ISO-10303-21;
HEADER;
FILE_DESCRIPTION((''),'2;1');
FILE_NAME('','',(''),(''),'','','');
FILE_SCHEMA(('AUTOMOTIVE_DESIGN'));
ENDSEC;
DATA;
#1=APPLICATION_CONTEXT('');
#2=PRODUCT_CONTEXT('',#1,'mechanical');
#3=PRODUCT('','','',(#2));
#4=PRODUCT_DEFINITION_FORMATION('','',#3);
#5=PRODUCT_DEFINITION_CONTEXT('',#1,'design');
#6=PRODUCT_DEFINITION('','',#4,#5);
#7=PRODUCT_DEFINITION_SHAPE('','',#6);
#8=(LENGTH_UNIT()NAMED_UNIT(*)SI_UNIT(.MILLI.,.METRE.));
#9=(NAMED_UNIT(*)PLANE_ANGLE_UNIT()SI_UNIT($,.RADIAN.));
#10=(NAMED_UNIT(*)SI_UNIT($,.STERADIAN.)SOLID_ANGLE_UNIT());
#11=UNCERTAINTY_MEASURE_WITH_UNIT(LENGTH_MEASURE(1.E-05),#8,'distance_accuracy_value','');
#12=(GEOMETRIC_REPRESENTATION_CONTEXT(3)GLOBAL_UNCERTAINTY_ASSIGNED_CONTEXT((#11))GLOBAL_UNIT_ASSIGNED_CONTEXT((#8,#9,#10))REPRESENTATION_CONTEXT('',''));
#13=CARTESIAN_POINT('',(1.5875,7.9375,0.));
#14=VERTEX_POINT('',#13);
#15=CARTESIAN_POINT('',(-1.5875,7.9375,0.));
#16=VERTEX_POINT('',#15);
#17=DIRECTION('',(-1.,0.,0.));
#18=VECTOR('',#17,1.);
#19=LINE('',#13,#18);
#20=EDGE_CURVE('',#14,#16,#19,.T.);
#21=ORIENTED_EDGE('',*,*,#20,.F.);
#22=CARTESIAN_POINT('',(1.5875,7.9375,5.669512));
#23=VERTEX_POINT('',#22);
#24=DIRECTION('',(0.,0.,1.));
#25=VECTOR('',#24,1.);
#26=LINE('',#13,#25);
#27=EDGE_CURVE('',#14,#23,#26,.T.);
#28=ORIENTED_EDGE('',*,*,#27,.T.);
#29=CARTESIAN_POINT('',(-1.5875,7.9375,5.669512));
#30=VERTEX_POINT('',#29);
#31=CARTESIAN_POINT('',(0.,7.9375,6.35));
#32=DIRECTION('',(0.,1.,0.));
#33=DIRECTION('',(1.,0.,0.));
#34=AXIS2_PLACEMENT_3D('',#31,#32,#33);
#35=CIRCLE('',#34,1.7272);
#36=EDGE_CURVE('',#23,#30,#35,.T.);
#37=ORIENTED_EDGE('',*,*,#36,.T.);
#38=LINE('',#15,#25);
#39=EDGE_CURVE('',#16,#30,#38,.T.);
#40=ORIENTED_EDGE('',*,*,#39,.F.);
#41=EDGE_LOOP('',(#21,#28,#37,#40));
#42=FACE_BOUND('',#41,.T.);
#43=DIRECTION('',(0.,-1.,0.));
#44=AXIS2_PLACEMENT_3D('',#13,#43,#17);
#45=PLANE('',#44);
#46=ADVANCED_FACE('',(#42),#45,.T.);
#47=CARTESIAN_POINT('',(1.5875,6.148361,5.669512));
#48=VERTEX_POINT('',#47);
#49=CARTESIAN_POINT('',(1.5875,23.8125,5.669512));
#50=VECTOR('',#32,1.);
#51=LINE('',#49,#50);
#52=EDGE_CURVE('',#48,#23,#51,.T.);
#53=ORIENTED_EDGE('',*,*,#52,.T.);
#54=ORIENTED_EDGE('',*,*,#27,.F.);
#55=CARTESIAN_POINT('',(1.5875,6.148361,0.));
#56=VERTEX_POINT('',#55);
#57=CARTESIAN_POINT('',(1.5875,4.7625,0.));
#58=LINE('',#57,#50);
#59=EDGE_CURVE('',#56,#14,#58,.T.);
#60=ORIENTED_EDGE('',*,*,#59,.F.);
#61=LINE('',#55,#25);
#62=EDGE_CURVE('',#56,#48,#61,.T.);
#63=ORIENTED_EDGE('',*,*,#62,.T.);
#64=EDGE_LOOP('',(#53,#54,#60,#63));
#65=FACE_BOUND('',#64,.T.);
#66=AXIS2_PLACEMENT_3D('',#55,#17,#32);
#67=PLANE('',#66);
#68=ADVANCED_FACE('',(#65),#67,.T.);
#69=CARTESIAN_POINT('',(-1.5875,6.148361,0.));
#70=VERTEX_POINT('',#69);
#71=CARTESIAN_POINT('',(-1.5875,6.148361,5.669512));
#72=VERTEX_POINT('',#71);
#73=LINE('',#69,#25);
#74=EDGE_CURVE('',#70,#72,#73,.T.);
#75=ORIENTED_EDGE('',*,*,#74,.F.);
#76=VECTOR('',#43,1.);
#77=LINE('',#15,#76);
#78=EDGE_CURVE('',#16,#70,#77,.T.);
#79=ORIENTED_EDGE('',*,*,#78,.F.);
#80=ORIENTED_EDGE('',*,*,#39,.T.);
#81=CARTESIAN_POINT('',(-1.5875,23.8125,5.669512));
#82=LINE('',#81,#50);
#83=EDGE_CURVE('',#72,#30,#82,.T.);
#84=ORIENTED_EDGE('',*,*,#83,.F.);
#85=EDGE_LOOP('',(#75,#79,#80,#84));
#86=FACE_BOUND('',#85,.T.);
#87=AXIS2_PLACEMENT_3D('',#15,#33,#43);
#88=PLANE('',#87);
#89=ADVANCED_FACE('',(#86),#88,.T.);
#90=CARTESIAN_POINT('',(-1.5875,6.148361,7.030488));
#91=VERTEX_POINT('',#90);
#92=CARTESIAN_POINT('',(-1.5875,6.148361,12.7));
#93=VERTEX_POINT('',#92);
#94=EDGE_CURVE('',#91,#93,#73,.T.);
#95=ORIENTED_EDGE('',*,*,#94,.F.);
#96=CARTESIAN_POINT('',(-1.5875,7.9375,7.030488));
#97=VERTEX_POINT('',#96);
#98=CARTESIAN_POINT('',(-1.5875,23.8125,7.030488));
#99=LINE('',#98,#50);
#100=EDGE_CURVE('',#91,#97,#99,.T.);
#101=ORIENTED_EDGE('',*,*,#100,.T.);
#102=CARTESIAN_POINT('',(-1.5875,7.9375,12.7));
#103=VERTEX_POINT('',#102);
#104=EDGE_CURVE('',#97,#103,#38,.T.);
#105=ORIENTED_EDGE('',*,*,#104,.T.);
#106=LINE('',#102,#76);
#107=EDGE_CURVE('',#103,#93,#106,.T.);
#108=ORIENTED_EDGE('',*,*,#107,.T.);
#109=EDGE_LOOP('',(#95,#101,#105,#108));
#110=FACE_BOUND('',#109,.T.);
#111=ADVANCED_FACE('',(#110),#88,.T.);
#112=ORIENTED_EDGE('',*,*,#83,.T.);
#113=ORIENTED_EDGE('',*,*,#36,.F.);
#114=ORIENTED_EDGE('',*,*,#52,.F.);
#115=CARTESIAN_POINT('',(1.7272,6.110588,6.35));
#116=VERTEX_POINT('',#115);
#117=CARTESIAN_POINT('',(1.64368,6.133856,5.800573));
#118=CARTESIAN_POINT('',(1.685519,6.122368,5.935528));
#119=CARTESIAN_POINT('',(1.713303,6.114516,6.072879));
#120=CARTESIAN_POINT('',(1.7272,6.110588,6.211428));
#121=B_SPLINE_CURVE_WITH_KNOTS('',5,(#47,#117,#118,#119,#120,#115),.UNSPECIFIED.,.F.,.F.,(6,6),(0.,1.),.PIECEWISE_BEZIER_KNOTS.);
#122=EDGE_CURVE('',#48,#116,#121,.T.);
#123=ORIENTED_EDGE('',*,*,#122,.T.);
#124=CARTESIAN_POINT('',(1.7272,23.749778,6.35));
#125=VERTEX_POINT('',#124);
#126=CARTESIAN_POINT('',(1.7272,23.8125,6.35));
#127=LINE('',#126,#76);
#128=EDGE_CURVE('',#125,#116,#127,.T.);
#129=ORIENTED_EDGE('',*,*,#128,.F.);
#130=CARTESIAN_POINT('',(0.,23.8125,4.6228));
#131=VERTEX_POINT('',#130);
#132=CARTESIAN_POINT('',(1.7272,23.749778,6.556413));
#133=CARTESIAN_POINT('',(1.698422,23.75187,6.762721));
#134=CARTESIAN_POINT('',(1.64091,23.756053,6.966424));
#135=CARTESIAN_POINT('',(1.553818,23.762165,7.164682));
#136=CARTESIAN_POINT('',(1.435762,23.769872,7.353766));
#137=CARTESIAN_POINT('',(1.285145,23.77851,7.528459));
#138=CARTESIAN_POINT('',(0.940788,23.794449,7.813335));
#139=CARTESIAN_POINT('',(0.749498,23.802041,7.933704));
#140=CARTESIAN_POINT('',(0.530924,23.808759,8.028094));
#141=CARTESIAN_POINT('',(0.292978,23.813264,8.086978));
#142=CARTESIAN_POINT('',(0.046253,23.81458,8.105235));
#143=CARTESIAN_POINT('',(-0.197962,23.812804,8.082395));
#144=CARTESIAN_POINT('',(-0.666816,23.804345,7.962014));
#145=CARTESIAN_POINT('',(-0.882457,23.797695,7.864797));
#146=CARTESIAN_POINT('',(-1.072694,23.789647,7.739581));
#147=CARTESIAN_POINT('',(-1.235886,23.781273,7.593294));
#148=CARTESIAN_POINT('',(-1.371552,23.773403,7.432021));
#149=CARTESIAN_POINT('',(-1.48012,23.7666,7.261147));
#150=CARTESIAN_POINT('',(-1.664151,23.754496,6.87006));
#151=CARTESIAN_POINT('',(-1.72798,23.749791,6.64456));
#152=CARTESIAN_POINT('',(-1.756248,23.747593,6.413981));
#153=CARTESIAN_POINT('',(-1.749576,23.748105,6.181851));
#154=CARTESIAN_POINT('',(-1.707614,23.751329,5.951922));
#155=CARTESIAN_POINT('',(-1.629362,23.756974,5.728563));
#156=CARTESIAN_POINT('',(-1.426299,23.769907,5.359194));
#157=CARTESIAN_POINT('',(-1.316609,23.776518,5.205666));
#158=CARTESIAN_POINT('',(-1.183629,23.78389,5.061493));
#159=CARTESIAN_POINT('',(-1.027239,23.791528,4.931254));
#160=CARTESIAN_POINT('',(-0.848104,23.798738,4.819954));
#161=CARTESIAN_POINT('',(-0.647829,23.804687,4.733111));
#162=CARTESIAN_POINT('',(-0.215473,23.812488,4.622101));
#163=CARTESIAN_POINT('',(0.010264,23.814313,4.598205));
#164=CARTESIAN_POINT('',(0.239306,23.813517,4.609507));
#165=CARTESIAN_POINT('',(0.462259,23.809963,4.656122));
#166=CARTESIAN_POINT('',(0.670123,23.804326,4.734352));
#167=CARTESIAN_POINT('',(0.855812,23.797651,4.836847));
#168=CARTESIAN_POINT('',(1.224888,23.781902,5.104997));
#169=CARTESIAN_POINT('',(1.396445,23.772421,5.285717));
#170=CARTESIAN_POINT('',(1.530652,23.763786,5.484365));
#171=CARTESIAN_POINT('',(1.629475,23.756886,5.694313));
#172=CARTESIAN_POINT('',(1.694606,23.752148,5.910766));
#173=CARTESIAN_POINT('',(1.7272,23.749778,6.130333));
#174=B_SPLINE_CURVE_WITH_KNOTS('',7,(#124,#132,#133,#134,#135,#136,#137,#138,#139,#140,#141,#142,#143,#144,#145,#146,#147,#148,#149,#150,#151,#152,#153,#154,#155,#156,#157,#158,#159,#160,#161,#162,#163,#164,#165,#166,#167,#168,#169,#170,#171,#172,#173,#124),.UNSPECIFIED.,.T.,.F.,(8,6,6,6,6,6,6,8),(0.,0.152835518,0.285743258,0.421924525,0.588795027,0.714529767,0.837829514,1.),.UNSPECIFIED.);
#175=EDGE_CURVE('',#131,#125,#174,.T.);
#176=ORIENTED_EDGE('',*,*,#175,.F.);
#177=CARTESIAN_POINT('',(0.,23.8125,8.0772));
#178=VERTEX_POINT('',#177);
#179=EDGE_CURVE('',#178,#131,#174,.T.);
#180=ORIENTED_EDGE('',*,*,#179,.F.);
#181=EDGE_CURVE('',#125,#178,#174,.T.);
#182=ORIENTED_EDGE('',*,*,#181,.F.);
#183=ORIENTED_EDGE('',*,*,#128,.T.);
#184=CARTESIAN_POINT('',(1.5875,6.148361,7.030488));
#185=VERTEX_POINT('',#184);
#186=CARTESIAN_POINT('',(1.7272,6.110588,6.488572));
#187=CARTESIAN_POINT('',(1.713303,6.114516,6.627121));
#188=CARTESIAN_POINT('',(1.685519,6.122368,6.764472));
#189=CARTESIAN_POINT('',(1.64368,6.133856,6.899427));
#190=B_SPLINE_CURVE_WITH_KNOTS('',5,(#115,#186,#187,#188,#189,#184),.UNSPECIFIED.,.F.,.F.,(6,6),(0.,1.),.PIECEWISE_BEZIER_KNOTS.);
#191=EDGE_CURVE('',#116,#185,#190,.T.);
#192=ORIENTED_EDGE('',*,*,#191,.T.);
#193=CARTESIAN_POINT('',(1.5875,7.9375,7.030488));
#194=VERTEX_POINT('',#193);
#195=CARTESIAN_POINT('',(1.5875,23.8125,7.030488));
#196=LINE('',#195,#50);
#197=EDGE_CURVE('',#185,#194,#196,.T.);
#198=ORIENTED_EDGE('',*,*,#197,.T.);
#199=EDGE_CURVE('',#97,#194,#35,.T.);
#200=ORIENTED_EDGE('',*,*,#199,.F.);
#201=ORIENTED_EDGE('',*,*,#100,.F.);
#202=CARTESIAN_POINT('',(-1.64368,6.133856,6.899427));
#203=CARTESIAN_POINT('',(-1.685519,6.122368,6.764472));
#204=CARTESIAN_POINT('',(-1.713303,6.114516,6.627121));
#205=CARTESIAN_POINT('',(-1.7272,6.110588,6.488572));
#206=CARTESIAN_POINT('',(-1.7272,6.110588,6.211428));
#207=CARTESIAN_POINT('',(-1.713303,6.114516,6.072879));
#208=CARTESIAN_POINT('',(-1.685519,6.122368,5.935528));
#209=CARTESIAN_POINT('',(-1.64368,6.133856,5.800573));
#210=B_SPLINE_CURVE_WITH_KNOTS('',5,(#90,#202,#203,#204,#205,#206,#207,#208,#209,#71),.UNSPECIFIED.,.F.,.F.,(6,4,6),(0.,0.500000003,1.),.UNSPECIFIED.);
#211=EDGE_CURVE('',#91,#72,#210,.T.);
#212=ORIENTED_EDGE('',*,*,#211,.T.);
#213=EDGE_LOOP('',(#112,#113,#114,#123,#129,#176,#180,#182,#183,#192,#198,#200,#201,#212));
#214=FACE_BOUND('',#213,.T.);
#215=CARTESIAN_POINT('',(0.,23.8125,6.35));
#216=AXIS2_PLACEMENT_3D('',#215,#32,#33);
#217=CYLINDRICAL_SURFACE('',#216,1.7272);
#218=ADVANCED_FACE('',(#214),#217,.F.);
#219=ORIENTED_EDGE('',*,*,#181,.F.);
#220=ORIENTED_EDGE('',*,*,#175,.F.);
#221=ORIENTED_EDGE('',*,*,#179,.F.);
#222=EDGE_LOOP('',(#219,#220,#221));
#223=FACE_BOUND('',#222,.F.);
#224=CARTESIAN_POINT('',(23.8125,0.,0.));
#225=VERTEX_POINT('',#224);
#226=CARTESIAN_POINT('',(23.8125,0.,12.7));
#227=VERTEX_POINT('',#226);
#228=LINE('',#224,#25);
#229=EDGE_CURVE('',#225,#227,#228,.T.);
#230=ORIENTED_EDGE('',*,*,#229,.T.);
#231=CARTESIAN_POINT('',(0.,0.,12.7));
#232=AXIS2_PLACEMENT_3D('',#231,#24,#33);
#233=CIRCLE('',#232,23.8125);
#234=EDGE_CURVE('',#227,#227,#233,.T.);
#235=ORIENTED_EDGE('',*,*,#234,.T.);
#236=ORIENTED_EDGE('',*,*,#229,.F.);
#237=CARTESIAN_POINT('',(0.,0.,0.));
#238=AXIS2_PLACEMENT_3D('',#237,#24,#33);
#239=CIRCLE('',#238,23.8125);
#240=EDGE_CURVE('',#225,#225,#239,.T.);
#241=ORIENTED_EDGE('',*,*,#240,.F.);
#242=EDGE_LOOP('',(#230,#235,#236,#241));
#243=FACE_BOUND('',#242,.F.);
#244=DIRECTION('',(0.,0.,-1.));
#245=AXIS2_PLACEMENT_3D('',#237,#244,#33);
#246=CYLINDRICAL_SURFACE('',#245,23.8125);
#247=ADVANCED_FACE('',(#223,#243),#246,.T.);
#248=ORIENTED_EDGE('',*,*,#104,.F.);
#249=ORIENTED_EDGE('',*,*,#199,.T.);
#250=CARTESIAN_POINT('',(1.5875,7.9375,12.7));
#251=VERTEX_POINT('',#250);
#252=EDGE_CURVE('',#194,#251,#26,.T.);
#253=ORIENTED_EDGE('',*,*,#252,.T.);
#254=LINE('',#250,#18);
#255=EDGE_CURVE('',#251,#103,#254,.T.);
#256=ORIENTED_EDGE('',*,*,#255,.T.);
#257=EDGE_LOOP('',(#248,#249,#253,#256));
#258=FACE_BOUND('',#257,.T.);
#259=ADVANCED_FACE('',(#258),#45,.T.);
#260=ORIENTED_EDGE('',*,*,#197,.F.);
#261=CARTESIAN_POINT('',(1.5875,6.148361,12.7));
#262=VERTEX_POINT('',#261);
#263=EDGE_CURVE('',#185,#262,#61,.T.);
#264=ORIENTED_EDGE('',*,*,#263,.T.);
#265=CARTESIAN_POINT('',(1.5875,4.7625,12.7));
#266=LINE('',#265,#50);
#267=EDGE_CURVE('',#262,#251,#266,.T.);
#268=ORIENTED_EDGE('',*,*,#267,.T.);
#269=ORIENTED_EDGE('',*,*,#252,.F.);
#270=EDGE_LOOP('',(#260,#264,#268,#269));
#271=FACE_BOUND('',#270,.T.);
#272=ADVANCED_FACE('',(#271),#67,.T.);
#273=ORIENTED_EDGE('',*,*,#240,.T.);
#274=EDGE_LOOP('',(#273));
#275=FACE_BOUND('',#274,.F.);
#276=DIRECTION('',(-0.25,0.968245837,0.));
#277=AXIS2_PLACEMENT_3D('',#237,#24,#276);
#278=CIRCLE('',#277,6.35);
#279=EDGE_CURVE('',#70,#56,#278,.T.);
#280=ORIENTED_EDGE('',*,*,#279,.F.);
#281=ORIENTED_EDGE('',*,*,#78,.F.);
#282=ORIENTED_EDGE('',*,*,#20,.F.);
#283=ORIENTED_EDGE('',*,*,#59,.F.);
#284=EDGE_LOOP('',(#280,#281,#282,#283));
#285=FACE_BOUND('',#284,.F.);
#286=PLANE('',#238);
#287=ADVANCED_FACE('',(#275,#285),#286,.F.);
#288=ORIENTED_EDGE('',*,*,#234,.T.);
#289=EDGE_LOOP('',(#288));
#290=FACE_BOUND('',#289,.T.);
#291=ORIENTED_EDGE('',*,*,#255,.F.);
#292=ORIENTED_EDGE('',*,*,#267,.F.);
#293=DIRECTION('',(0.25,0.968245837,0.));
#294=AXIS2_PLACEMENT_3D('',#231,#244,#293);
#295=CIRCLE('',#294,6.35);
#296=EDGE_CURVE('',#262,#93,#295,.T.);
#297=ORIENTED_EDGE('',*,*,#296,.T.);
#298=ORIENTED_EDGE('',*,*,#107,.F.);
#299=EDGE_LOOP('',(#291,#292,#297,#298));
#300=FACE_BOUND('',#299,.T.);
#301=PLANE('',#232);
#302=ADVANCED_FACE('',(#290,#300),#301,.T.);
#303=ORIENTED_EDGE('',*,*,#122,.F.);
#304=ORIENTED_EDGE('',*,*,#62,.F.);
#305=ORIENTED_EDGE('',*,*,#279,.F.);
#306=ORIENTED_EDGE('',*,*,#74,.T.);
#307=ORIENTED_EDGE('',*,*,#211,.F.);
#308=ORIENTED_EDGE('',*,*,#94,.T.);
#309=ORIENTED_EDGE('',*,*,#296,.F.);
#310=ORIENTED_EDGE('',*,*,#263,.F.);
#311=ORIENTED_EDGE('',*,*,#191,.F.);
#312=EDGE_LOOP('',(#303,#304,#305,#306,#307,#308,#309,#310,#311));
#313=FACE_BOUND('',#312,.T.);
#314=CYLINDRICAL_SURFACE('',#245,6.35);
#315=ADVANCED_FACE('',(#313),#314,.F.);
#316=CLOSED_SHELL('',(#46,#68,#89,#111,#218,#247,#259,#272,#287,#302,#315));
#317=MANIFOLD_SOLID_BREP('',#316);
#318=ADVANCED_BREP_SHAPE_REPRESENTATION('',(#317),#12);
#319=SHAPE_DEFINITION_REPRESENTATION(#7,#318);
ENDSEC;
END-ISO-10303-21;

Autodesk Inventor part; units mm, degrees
ref_plane "YZ Plane" through (0, 0, 0) normal (1, 0, 0) x (0, 1, 0)
ref_plane "XZ Plane" through (0, 0, 0) normal (0, 1, 0) x (-1, 0, 0)
sketch "Sketch1" plane through (0, 0, 0) normal (0, 0, 1) x (1, 0, 0)
  circle A0 centre (0, 0) radius 23.8125
  circle A1 centre (0, 0) radius 6.35
  line L0 (-1.5875, 4.7625) -> (1.5875, 4.7625)
  line L1 (1.5875, 4.7625) -> (1.5875, 7.9375)
  line L2 (1.5875, 7.9375) -> (-1.5875, 7.9375)
  line L3 (-1.5875, 7.9375) -> (-1.5875, 4.7625)
  dimension "d0" = 47.625
  dimension "d1" = 12.7
  dimension "d2" = 3.175
  dimension "d3" = 1.5875
  dimension "d4" = 7.9375
extrude "Extrusion1" add sketch "Sketch1" along normal blind 12.7
ref_plane "Work Plane1" through (0, 23.8125, 0) normal (0, -1, 0) x (1, 0, 0)
sketch "Sketch2" plane through (0, 23.8125, 0) normal (0, -1, 0) x (1, 0, 0)
  circle A0 centre (0, 6.35) radius 1.7272
  line L0 (-23.8125, 12.7) -> (23.8125, 12.7) projected
  line L1 (-23.8125, 0) -> (23.8125, 0) projected
  line L2 (-23.8125, 0) -> (-23.8125, 12.7) projected
  line L3 (23.8125, 0) -> (23.8125, 12.7) projected
  point P0 (0, 0)
  dimension "d7" = 3.4544
  dimension "d8" = 6.35
  dimension "d9" = 23.8125
extrude "Extrusion2" cut sketch "Sketch2" along normal blind 25.4 contours A0
equation "\"d3\" = 0.5 * d2"
equation "\"d4\" = 0.5 * d1 + d3"
properties part number "8 ball roller plug"
